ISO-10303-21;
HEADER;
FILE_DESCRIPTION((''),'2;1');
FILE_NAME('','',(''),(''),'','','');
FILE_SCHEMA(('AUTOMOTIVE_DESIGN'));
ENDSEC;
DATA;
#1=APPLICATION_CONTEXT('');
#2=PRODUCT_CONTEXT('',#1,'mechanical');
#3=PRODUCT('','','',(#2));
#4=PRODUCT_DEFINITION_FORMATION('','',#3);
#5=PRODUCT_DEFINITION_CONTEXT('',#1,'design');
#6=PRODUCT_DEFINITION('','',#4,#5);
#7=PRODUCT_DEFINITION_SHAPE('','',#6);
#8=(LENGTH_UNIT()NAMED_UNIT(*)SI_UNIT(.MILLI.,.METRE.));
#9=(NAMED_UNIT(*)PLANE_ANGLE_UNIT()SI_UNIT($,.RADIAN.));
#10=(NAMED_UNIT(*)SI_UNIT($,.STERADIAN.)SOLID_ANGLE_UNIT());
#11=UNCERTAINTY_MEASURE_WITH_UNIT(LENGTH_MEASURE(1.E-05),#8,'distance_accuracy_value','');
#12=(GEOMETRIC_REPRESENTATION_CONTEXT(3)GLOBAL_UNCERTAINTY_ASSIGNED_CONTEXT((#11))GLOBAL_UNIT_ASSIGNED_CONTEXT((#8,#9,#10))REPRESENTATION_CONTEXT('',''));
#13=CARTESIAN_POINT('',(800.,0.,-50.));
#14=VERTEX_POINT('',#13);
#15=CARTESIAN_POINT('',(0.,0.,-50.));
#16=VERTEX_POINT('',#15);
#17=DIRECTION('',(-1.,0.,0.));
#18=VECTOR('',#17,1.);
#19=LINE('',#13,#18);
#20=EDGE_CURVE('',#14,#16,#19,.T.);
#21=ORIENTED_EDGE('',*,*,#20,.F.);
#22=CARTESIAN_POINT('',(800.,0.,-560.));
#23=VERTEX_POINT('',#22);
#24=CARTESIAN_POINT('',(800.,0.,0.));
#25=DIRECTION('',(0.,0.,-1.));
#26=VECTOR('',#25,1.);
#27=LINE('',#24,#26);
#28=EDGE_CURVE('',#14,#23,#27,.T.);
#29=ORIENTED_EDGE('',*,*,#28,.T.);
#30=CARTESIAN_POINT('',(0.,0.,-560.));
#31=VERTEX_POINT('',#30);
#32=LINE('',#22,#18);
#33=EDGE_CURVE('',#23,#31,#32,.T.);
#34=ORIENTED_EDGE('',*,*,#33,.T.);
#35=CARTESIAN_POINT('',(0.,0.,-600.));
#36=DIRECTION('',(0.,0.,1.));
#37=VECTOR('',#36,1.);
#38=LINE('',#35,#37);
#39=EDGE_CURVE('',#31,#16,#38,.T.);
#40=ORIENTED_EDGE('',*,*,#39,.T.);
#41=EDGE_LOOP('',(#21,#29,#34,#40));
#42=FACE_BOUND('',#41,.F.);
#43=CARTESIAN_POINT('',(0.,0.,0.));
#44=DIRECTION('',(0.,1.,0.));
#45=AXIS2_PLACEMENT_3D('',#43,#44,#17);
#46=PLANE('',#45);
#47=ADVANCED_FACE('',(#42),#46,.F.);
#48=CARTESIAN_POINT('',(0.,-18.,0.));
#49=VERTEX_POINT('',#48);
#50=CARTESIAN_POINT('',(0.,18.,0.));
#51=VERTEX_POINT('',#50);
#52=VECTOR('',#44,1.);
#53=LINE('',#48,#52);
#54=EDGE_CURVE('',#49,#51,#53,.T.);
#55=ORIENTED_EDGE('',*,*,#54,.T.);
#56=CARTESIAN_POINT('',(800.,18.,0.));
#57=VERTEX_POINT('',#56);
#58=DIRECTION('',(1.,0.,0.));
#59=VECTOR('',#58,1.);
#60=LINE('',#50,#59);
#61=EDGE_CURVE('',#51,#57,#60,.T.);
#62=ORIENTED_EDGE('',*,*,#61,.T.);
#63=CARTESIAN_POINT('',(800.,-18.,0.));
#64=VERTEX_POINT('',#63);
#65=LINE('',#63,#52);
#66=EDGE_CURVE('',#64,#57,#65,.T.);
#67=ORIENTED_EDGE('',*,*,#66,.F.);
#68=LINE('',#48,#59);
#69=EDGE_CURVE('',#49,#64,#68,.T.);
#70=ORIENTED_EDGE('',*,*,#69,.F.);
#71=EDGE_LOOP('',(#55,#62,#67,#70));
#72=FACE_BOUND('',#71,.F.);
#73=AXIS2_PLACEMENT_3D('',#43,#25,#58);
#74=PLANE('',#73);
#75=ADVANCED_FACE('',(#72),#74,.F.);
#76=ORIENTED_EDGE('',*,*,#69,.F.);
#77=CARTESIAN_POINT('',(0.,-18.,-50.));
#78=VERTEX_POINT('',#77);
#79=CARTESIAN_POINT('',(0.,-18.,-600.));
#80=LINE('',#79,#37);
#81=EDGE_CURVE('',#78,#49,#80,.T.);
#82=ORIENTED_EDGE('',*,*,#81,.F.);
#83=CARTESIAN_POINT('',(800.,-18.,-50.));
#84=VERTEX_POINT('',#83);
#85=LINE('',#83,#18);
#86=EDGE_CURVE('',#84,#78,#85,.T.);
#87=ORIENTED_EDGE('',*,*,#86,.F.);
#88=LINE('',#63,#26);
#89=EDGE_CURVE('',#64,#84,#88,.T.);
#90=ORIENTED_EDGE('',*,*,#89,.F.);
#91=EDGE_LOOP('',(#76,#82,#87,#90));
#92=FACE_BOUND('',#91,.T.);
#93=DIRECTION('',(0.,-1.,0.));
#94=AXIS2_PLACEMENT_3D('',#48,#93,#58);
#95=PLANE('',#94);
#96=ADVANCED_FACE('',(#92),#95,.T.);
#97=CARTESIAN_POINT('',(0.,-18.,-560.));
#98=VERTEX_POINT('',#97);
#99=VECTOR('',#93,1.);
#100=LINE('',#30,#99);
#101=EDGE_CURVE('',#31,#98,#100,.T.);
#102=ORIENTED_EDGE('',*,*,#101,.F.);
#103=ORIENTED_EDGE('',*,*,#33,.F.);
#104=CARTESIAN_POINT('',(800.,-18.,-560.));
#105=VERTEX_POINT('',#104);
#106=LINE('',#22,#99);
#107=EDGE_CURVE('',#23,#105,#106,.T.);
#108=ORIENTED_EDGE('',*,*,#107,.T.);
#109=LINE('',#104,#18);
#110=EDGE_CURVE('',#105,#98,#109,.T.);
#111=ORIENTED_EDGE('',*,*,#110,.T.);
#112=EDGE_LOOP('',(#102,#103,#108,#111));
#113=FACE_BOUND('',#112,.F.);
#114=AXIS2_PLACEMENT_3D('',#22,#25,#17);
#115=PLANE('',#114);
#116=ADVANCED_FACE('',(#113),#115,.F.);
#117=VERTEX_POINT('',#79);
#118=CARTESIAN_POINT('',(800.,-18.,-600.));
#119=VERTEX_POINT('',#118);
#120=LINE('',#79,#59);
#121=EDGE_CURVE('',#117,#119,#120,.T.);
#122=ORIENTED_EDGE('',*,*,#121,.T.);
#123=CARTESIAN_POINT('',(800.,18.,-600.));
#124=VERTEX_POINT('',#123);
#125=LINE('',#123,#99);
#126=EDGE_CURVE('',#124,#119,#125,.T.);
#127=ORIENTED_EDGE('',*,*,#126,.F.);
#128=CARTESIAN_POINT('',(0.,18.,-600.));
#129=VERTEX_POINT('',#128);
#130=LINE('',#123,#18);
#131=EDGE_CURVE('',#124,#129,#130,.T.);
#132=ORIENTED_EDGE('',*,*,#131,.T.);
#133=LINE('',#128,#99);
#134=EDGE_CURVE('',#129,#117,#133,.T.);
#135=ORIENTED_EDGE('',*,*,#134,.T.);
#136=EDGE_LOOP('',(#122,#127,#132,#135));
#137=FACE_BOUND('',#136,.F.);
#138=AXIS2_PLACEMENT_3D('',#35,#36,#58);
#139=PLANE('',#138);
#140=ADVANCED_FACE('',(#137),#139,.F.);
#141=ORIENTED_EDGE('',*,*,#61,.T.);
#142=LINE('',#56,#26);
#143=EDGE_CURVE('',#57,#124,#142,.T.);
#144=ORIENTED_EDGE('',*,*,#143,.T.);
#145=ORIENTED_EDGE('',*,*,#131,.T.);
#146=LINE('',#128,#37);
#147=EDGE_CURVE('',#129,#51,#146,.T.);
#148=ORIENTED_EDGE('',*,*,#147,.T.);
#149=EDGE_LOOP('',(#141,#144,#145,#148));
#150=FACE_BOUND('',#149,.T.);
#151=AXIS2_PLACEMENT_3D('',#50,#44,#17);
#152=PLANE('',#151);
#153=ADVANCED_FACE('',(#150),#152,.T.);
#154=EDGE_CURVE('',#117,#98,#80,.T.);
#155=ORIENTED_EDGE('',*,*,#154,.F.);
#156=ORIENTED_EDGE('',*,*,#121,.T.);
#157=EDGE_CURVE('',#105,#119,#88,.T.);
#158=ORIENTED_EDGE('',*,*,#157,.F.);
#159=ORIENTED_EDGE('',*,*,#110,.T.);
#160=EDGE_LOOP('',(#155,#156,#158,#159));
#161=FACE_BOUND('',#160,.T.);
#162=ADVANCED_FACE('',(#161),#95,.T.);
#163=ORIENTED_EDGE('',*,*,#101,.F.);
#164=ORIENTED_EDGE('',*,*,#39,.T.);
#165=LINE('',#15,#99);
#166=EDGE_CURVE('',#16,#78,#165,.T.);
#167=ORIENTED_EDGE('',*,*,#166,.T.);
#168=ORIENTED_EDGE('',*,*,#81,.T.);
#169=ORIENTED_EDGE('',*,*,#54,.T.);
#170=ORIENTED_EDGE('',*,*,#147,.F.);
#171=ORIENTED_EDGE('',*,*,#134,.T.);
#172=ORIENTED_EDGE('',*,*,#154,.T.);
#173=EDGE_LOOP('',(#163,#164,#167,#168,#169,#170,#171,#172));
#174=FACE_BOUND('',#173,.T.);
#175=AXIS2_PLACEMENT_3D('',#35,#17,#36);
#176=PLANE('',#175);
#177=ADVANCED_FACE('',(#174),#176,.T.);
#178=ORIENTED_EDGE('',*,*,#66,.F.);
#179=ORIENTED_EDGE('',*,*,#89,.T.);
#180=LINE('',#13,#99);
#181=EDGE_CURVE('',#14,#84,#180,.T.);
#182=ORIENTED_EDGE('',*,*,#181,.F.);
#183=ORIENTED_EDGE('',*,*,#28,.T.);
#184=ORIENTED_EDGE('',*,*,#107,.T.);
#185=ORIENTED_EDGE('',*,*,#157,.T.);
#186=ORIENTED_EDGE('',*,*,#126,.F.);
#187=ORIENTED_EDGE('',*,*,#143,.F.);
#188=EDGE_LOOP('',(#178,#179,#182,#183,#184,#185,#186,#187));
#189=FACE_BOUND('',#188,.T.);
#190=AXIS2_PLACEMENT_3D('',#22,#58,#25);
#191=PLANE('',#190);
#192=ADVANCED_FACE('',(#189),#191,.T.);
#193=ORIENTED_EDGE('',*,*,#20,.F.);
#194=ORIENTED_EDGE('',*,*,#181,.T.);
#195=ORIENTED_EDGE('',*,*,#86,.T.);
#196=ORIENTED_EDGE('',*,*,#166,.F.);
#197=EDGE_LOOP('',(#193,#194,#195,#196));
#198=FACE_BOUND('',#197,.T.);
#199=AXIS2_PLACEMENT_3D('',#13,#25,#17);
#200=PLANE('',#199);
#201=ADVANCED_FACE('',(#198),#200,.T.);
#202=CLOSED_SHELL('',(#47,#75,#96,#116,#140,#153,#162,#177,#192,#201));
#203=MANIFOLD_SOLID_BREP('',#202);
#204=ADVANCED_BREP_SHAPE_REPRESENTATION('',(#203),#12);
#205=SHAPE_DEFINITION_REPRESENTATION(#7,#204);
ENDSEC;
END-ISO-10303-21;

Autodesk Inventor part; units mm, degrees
ref_plane "YZ Plane" through (0, 0, 0) normal (1, 0, 0) x (0, 1, 0)
ref_plane "XZ Plane" through (0, 0, 0) normal (0, 1, 0) x (-1, 0, 0)
ref_plane "XY Plane" through (0, 0, 0) normal (0, 0, 1) x (1, 0, 0)
sketch "Sketch2" plane through (0, 0, 0) normal (0, 1, 0) x (-1, 0, 0)
  line L0 (0, 0) -> (-800, 0)
  line L1 (-800, 0) -> (-800, -600)
  line L2 (-800, -600) -> (0, -600)
  line L3 (0, -600) -> (0, 0)
  dimension "d4" = 800
  dimension "d5" = 600
extrude "Extrusion2" add sketch "Sketch2" along normal blind 18
sketch "Sketch3" plane through (0, 0, 0) normal (0, -1, 0) x (1, 0, 0)
  line L0 (0, -600) -> (0, 0) projected
  line L1 (800, 0) -> (800, -600) projected
  line L2 (0, 0) -> (800, 0)
  line L3 (800, 0) -> (800, -50)
  line L4 (800, -50) -> (0, -50)
  line L5 (0, -50) -> (0, 0)
  dimension "d8" = 50
extrude "Extrusion3" add sketch "Sketch3" along normal blind 18
sketch "Sketch4" plane through (0, 0, 0) normal (0, -1, 0) x (1, 0, 0)
  line L0 (0, -600) -> (0, 0) projected
  line L1 (800, 0) -> (800, -600) projected
  line L2 (0, -600) -> (800, -600)
  line L3 (800, -600) -> (800, -560)
  line L4 (800, -560) -> (0, -560)
  line L5 (0, -560) -> (0, -600)
  dimension "d11" = 40
extrude "Extrusion4" add sketch "Sketch4" along normal blind 18
equation "\"d5\" = Profundidad"
equation "\"Profundidad\" = 600"
properties part number "tablero_chico" material "Wood (Birch)"
